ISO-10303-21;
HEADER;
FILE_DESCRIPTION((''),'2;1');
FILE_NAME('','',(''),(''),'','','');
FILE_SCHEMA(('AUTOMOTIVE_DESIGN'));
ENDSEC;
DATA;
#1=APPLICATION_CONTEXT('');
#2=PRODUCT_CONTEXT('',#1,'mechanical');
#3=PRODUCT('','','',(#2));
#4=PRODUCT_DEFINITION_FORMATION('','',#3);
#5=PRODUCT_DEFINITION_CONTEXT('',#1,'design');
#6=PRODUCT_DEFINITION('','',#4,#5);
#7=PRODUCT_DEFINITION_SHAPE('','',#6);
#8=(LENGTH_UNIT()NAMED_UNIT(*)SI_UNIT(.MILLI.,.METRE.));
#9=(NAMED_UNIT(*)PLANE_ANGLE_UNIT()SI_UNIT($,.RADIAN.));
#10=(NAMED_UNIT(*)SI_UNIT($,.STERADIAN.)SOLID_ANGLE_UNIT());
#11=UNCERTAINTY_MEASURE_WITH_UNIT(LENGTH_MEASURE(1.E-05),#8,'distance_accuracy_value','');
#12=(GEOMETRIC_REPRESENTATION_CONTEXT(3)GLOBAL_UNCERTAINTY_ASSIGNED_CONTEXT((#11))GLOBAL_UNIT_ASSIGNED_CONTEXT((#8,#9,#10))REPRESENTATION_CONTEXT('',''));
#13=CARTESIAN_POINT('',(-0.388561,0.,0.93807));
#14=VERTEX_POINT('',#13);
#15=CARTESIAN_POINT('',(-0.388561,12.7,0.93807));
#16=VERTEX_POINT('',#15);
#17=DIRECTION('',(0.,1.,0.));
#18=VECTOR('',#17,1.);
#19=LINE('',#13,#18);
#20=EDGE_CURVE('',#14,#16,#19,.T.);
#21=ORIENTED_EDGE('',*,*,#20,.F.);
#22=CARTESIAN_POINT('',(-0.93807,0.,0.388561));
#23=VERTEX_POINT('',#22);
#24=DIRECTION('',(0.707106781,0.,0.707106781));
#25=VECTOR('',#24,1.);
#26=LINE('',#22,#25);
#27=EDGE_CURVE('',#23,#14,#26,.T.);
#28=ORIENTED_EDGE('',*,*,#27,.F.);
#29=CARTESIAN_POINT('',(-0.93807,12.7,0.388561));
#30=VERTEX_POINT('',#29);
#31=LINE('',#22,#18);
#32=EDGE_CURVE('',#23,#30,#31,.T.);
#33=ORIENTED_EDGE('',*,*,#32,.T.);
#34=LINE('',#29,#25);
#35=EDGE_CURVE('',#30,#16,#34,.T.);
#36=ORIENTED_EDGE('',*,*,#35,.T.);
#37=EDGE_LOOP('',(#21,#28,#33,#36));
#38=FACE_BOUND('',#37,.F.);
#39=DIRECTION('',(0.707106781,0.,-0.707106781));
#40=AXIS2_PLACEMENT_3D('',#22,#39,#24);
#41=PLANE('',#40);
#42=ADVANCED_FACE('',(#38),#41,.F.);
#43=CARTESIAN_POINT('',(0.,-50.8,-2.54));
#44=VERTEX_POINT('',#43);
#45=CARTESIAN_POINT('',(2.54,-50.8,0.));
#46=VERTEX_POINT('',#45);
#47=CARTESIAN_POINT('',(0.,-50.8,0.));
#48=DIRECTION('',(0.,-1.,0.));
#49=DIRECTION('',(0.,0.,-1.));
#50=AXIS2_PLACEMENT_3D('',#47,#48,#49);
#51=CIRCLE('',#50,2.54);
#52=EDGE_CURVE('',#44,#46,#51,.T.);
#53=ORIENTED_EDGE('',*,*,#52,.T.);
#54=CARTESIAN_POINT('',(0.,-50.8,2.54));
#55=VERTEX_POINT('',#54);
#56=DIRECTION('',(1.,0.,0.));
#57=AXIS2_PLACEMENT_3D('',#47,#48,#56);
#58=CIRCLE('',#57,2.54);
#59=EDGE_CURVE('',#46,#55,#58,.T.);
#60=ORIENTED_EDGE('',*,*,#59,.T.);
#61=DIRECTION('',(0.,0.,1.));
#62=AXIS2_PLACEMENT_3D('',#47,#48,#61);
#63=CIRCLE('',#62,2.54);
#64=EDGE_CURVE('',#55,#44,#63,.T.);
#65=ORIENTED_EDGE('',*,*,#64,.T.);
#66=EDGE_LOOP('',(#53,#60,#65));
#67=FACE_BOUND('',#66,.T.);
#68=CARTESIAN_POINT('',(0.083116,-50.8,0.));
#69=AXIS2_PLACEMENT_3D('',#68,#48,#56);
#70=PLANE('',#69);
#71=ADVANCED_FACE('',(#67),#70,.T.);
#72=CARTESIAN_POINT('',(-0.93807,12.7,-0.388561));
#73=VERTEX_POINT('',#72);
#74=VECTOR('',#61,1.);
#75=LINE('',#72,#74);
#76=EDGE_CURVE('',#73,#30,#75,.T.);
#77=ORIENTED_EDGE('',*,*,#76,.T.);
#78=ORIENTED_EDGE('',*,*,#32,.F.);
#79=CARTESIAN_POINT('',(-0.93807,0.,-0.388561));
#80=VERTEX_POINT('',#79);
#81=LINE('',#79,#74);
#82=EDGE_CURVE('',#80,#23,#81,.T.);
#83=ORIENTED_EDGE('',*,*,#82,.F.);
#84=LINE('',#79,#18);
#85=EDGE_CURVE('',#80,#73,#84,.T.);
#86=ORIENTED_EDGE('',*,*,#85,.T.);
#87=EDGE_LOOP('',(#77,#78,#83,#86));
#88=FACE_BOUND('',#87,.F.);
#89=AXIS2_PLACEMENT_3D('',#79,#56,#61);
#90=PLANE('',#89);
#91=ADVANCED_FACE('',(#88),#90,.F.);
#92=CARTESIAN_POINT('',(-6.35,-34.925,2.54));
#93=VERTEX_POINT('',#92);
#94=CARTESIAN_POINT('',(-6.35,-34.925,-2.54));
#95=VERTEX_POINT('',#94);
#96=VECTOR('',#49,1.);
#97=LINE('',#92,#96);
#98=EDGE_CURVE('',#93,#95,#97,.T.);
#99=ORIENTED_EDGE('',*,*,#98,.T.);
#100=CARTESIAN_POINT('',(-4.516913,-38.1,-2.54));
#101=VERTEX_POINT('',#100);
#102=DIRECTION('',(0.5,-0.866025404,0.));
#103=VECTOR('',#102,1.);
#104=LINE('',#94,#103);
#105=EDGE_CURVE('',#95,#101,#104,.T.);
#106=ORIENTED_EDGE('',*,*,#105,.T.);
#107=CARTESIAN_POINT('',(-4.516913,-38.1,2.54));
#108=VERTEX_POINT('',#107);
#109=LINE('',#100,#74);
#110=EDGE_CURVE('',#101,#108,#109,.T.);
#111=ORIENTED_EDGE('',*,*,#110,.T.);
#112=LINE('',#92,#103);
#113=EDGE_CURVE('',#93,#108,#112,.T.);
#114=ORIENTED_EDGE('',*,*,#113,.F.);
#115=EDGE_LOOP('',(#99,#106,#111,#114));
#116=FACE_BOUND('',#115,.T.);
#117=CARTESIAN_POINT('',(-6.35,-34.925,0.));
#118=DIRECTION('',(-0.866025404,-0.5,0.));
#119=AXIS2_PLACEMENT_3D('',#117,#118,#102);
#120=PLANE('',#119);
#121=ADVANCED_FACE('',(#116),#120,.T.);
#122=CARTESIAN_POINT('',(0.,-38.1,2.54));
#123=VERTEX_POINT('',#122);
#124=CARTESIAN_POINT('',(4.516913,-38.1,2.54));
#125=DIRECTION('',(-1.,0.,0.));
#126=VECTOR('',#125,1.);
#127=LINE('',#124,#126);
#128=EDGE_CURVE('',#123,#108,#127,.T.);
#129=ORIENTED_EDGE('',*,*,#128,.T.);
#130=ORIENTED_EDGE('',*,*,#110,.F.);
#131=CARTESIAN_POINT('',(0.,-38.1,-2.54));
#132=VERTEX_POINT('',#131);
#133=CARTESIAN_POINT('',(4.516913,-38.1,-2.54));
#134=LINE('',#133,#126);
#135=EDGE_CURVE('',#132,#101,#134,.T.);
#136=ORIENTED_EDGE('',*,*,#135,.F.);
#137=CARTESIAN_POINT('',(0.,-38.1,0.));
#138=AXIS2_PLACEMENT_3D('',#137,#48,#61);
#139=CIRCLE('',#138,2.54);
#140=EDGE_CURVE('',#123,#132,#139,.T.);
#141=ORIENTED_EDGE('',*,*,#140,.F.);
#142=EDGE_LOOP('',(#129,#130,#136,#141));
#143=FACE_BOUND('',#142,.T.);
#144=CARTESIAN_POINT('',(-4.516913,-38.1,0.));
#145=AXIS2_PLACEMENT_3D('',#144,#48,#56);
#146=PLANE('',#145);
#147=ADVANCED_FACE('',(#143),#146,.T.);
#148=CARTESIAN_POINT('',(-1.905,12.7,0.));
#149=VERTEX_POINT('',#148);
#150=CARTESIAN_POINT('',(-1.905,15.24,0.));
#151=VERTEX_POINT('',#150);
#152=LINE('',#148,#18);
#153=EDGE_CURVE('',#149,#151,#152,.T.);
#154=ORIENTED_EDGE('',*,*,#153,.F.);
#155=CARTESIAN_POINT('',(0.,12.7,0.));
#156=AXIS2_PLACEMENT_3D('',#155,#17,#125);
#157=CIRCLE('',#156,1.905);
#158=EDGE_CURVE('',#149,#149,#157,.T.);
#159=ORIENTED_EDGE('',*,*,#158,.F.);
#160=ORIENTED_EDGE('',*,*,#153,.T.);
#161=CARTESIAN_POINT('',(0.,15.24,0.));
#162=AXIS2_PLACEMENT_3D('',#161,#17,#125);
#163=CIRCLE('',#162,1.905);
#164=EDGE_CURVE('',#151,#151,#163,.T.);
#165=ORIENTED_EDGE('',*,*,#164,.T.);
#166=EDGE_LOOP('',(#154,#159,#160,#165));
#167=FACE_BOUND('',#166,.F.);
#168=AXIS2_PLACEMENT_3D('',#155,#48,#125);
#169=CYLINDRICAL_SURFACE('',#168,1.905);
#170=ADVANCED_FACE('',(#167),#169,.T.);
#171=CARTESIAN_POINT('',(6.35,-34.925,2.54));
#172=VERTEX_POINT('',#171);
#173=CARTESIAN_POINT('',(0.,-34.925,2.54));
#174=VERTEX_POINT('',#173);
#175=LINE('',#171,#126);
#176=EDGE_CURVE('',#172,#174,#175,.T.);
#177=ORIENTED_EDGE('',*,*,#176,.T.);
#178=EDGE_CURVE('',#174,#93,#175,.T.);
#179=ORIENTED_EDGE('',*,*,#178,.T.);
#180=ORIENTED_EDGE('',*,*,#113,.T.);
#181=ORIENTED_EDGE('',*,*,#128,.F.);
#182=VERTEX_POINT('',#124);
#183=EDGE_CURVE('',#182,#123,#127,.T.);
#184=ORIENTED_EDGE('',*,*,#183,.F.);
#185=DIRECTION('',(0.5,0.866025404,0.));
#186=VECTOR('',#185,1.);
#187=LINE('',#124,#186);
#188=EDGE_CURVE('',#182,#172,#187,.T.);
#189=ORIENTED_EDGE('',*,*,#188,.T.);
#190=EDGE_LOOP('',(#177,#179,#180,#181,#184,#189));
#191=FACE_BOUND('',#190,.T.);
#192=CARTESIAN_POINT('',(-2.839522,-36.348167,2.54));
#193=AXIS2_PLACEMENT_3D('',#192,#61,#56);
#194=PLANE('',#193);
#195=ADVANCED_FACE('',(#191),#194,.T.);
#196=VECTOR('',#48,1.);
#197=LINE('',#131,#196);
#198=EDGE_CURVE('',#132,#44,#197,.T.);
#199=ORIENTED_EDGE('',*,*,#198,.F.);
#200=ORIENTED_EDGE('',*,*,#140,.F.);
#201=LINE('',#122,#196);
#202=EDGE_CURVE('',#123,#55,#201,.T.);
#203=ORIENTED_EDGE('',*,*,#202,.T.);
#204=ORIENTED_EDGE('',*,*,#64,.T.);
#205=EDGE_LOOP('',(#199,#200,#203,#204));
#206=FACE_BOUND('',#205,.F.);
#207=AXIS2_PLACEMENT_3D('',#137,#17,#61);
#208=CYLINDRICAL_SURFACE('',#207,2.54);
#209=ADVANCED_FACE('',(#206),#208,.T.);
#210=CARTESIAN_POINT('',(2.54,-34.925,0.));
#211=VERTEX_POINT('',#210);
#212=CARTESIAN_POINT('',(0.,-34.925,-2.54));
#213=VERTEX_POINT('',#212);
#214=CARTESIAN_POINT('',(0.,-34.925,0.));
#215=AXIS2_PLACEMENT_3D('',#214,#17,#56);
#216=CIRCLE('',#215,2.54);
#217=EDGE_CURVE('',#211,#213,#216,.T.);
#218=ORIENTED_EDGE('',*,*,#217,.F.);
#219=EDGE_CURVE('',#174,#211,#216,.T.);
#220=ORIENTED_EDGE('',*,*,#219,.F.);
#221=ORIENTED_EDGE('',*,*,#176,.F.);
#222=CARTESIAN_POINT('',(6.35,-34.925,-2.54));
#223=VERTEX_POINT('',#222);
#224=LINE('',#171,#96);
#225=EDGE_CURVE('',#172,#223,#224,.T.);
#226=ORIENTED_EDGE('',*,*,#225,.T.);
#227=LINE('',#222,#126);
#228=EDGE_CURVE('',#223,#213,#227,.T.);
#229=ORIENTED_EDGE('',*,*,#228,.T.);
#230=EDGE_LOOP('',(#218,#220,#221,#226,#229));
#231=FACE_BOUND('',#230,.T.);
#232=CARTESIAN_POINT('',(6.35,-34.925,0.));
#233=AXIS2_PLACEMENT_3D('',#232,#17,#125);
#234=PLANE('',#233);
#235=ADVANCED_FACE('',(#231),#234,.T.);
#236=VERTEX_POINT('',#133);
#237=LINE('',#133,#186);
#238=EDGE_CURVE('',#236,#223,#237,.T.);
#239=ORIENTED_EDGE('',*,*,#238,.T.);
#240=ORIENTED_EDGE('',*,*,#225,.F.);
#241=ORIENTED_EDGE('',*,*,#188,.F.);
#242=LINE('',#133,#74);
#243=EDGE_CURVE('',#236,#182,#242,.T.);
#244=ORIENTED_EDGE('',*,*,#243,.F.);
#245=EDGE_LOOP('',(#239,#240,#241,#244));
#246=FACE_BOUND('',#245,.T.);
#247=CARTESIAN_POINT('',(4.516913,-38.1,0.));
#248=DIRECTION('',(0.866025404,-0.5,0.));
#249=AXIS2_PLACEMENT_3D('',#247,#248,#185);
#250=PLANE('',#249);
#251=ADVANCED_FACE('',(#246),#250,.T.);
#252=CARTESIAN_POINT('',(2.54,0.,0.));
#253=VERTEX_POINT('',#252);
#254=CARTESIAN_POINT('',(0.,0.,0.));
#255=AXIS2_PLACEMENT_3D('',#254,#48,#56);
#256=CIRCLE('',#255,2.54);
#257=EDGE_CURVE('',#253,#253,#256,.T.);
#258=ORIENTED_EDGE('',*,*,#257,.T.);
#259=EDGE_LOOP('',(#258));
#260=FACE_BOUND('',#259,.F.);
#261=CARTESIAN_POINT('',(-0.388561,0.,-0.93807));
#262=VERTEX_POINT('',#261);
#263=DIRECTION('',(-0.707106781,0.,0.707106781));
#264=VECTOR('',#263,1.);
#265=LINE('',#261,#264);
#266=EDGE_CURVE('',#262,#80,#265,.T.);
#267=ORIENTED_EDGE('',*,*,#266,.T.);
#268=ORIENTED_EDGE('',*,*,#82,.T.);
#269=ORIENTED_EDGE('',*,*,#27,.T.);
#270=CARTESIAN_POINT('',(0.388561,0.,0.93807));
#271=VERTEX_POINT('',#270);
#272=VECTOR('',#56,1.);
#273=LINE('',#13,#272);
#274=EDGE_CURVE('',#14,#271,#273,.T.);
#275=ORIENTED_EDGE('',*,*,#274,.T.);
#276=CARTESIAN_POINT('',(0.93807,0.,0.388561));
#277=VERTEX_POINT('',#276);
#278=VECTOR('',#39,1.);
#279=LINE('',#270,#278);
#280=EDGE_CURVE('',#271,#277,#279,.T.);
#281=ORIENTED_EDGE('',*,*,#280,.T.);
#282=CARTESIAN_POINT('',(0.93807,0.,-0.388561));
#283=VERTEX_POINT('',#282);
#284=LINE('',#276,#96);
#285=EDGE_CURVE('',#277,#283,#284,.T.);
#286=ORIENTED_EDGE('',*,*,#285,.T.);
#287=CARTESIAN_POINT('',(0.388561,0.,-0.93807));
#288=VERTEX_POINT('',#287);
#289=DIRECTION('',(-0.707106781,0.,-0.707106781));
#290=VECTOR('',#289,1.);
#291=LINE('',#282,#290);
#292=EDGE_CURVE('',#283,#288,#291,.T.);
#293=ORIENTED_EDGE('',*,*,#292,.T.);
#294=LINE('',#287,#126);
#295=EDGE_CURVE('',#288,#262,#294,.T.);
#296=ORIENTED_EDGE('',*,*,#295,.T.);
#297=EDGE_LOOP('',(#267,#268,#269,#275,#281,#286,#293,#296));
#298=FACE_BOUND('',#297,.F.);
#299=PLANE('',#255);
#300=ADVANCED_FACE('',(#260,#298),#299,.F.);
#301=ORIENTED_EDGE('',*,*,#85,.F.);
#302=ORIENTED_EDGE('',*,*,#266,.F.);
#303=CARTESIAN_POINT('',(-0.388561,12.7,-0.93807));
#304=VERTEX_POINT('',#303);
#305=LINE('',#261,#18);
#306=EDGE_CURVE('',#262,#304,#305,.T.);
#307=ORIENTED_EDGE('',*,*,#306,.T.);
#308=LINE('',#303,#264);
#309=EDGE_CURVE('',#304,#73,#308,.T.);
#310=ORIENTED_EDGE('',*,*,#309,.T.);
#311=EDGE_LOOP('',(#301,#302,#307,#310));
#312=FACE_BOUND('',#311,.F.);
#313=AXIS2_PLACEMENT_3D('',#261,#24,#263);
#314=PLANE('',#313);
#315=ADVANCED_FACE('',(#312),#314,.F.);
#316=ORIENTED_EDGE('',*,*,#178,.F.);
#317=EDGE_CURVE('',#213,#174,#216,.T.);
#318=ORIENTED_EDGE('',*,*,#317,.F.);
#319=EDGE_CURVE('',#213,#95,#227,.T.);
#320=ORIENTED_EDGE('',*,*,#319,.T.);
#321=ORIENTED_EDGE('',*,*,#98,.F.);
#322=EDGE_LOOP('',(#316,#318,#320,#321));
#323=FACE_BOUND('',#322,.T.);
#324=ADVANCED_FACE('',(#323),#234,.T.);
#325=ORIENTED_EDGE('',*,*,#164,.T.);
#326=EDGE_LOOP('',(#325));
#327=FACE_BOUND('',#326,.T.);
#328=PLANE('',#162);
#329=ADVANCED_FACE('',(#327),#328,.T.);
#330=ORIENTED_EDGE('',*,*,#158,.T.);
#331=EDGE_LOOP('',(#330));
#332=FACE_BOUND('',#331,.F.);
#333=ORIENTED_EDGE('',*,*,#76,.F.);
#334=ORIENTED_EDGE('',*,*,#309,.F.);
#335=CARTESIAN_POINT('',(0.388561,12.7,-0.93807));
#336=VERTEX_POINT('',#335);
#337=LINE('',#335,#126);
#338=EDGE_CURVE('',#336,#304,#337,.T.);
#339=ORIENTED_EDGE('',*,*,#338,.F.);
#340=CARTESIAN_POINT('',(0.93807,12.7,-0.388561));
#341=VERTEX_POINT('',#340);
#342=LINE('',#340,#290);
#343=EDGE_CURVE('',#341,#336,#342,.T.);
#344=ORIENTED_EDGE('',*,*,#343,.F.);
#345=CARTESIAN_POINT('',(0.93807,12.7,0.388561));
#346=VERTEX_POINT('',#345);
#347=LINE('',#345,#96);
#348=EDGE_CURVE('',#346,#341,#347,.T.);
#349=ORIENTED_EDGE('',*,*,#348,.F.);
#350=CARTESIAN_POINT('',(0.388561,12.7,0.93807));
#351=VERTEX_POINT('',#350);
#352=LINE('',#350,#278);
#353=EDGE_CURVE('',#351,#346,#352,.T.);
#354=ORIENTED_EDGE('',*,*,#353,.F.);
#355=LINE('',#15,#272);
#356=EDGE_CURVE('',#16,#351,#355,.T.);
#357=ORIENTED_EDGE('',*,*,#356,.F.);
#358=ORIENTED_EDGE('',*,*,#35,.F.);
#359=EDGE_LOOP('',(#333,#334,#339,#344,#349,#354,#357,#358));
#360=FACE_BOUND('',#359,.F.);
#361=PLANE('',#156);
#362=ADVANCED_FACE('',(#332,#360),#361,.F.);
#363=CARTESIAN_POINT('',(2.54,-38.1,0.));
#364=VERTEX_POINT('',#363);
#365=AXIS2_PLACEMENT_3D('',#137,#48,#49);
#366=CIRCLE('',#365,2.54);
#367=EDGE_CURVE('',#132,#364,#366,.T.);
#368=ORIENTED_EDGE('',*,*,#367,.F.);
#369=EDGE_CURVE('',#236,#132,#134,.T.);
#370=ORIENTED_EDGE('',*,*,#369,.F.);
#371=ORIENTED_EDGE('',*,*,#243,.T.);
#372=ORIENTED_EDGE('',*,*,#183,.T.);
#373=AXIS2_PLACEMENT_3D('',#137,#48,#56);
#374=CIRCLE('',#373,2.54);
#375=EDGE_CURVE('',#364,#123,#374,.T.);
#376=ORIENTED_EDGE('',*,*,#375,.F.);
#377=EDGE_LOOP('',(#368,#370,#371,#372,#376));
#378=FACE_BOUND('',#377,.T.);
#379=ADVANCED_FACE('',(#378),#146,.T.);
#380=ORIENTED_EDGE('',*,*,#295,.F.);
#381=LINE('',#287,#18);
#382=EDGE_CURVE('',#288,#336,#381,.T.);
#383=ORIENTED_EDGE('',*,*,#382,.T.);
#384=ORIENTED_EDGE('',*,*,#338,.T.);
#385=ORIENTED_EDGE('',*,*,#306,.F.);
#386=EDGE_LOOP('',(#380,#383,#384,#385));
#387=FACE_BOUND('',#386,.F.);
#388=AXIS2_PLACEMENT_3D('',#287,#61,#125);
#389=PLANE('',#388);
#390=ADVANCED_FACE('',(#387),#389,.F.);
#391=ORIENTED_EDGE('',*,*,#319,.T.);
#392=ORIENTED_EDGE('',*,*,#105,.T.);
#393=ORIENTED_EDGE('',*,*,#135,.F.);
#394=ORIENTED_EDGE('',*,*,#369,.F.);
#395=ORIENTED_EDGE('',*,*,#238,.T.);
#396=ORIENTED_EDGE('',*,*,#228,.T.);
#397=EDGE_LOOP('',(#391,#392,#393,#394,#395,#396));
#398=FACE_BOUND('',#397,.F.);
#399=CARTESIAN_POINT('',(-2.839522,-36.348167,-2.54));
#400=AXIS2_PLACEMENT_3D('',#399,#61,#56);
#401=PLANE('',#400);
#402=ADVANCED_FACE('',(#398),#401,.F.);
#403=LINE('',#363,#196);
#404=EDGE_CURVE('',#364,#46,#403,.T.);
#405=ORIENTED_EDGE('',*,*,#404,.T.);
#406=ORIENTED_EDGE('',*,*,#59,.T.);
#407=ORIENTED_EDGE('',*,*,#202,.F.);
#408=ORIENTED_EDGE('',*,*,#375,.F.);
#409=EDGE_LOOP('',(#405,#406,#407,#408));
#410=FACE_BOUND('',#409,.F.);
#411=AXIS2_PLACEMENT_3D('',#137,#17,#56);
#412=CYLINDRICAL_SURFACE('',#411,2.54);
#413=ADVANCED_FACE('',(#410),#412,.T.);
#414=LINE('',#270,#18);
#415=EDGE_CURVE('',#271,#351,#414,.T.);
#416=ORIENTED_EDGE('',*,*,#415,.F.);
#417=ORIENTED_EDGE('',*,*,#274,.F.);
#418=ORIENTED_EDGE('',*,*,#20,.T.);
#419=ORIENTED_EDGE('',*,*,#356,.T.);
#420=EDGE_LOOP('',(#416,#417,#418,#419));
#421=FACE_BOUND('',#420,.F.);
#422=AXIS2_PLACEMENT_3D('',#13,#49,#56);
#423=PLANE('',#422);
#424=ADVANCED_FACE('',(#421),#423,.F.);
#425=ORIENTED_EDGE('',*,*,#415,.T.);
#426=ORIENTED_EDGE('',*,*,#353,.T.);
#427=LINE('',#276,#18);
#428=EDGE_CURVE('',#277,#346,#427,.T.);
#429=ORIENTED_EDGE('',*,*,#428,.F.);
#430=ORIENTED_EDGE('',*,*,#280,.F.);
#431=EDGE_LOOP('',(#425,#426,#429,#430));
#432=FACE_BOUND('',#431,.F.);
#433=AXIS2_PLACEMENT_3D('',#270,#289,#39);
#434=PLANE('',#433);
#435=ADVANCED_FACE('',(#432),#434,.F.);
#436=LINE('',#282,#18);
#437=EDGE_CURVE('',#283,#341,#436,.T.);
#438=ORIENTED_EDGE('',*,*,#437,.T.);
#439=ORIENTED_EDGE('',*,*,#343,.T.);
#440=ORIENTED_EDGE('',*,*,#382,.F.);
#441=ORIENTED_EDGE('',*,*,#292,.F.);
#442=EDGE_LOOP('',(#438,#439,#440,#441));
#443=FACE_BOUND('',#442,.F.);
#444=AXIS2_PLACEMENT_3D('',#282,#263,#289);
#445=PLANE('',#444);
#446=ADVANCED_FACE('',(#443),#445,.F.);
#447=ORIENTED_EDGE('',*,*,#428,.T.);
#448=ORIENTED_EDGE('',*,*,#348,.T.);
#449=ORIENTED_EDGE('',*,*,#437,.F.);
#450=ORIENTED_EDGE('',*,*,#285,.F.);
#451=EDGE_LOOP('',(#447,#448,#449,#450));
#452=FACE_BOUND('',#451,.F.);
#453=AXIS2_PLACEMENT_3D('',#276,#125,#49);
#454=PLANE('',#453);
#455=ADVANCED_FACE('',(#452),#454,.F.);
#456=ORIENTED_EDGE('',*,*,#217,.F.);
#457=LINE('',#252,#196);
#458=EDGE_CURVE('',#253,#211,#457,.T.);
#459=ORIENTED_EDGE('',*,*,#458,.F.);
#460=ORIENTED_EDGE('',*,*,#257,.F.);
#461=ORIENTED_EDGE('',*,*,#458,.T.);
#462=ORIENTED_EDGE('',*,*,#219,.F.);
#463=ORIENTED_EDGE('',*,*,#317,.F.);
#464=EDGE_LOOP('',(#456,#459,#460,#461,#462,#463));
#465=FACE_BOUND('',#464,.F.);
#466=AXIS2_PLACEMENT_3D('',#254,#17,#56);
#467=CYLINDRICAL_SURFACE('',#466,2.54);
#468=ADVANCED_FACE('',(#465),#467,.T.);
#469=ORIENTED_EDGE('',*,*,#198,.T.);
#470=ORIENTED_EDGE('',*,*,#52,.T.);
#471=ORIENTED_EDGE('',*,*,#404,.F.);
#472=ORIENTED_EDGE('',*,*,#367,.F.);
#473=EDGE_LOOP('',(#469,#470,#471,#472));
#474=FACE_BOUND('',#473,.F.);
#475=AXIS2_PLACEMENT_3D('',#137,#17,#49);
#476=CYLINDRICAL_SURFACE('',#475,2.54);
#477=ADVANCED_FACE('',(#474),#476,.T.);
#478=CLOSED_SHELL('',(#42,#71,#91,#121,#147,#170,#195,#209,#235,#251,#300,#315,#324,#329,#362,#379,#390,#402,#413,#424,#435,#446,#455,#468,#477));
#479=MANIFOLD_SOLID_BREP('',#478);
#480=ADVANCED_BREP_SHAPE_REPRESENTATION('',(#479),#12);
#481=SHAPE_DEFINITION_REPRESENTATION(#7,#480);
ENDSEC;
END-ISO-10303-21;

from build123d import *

# Parameters (mm, degrees)
F0_R     = 2.54
F1_DEPTH = 38.1
F3_DEPTH = 12.7
F4_R     = 1.905
F5_DEPTH = 2.54
F7_DEPTH = 2.54
F9_DEPTH = 12.7


with BuildPart() as f1:
    # F0 (on Front) → F1 (new body)
    with BuildSketch(Plane.XZ):
        Circle(F0_R)
    extrude(amount=F1_DEPTH)

    # F2 (on face) → F3 (join)
    with BuildSketch(Plane(origin=(0, 0, 0), x_dir=(-1, 0, 0), z_dir=(0, 1, 0))):
        Polygon((0.3885612228, 0.9380697738), (-0.3885612228, 0.9380697738), (-0.9380697738, 0.3885612228), (-0.9380697738, -0.3885612228), (-0.3885612228, -0.9380697738), (0.3885612228, -0.9380697738), (0.9380697738, -0.3885612228), (0.9380697738, 0.3885612228), align=None)
    extrude(amount=F3_DEPTH)

    # F4 (on face) → F5 (join)
    with BuildSketch(Plane(origin=(0, 12.7, 0), x_dir=(-1, 0, 0), z_dir=(0, 1, 0))):
        Circle(F4_R)
        Polygon((0.3885612228, 0.9380697738), (0.9380697738, 0.3885612228), (0.9380697738, -0.3885612228), (0.3885612228, -0.9380697738), (-0.3885612228, -0.9380697738), (-0.9380697738, -0.3885612228), (-0.9380697738, 0.3885612228), (-0.3885612228, 0.9380697738), align=None, mode=Mode.SUBTRACT)
        Polygon((0.9380697738, -0.3885612228), (0.9380697738, 0.3885612228), (0.3885612228, 0.9380697738), (-0.3885612228, 0.9380697738), (-0.9380697738, 0.3885612228), (-0.9380697738, -0.3885612228), (-0.3885612228, -0.9380697738), (0.3885612228, -0.9380697738), align=None)
    extrude(amount=F5_DEPTH)

    # F6 (on Top) → F7 (join, symmetric)
    with BuildSketch(Plane.XY):
        Polygon((0, -38.1), (0, -34.925), (-6.35, -34.925), (-4.5169128953, -38.1), align=None)
        Polygon((6.35, -34.925), (0, -34.925), (0, -38.1), (4.5169128953, -38.1), align=None)
    extrude(amount=F7_DEPTH, both=True)

    # F8 (on face) → F9 (join)
    with BuildSketch(Plane.XZ.offset(38.1)):
        with BuildLine():
            ThreePointArc((0, -2.54), (1.7960512242, -1.7960512242), (2.54, 0))
            ThreePointArc((2.54, 0), (1.7960512242, 1.7960512242), (0, 2.54))
            ThreePointArc((0, 2.54), (-2.54, 0), (0, -2.54))
        make_face()
    extrude(amount=F9_DEPTH)


solid = f1.part
